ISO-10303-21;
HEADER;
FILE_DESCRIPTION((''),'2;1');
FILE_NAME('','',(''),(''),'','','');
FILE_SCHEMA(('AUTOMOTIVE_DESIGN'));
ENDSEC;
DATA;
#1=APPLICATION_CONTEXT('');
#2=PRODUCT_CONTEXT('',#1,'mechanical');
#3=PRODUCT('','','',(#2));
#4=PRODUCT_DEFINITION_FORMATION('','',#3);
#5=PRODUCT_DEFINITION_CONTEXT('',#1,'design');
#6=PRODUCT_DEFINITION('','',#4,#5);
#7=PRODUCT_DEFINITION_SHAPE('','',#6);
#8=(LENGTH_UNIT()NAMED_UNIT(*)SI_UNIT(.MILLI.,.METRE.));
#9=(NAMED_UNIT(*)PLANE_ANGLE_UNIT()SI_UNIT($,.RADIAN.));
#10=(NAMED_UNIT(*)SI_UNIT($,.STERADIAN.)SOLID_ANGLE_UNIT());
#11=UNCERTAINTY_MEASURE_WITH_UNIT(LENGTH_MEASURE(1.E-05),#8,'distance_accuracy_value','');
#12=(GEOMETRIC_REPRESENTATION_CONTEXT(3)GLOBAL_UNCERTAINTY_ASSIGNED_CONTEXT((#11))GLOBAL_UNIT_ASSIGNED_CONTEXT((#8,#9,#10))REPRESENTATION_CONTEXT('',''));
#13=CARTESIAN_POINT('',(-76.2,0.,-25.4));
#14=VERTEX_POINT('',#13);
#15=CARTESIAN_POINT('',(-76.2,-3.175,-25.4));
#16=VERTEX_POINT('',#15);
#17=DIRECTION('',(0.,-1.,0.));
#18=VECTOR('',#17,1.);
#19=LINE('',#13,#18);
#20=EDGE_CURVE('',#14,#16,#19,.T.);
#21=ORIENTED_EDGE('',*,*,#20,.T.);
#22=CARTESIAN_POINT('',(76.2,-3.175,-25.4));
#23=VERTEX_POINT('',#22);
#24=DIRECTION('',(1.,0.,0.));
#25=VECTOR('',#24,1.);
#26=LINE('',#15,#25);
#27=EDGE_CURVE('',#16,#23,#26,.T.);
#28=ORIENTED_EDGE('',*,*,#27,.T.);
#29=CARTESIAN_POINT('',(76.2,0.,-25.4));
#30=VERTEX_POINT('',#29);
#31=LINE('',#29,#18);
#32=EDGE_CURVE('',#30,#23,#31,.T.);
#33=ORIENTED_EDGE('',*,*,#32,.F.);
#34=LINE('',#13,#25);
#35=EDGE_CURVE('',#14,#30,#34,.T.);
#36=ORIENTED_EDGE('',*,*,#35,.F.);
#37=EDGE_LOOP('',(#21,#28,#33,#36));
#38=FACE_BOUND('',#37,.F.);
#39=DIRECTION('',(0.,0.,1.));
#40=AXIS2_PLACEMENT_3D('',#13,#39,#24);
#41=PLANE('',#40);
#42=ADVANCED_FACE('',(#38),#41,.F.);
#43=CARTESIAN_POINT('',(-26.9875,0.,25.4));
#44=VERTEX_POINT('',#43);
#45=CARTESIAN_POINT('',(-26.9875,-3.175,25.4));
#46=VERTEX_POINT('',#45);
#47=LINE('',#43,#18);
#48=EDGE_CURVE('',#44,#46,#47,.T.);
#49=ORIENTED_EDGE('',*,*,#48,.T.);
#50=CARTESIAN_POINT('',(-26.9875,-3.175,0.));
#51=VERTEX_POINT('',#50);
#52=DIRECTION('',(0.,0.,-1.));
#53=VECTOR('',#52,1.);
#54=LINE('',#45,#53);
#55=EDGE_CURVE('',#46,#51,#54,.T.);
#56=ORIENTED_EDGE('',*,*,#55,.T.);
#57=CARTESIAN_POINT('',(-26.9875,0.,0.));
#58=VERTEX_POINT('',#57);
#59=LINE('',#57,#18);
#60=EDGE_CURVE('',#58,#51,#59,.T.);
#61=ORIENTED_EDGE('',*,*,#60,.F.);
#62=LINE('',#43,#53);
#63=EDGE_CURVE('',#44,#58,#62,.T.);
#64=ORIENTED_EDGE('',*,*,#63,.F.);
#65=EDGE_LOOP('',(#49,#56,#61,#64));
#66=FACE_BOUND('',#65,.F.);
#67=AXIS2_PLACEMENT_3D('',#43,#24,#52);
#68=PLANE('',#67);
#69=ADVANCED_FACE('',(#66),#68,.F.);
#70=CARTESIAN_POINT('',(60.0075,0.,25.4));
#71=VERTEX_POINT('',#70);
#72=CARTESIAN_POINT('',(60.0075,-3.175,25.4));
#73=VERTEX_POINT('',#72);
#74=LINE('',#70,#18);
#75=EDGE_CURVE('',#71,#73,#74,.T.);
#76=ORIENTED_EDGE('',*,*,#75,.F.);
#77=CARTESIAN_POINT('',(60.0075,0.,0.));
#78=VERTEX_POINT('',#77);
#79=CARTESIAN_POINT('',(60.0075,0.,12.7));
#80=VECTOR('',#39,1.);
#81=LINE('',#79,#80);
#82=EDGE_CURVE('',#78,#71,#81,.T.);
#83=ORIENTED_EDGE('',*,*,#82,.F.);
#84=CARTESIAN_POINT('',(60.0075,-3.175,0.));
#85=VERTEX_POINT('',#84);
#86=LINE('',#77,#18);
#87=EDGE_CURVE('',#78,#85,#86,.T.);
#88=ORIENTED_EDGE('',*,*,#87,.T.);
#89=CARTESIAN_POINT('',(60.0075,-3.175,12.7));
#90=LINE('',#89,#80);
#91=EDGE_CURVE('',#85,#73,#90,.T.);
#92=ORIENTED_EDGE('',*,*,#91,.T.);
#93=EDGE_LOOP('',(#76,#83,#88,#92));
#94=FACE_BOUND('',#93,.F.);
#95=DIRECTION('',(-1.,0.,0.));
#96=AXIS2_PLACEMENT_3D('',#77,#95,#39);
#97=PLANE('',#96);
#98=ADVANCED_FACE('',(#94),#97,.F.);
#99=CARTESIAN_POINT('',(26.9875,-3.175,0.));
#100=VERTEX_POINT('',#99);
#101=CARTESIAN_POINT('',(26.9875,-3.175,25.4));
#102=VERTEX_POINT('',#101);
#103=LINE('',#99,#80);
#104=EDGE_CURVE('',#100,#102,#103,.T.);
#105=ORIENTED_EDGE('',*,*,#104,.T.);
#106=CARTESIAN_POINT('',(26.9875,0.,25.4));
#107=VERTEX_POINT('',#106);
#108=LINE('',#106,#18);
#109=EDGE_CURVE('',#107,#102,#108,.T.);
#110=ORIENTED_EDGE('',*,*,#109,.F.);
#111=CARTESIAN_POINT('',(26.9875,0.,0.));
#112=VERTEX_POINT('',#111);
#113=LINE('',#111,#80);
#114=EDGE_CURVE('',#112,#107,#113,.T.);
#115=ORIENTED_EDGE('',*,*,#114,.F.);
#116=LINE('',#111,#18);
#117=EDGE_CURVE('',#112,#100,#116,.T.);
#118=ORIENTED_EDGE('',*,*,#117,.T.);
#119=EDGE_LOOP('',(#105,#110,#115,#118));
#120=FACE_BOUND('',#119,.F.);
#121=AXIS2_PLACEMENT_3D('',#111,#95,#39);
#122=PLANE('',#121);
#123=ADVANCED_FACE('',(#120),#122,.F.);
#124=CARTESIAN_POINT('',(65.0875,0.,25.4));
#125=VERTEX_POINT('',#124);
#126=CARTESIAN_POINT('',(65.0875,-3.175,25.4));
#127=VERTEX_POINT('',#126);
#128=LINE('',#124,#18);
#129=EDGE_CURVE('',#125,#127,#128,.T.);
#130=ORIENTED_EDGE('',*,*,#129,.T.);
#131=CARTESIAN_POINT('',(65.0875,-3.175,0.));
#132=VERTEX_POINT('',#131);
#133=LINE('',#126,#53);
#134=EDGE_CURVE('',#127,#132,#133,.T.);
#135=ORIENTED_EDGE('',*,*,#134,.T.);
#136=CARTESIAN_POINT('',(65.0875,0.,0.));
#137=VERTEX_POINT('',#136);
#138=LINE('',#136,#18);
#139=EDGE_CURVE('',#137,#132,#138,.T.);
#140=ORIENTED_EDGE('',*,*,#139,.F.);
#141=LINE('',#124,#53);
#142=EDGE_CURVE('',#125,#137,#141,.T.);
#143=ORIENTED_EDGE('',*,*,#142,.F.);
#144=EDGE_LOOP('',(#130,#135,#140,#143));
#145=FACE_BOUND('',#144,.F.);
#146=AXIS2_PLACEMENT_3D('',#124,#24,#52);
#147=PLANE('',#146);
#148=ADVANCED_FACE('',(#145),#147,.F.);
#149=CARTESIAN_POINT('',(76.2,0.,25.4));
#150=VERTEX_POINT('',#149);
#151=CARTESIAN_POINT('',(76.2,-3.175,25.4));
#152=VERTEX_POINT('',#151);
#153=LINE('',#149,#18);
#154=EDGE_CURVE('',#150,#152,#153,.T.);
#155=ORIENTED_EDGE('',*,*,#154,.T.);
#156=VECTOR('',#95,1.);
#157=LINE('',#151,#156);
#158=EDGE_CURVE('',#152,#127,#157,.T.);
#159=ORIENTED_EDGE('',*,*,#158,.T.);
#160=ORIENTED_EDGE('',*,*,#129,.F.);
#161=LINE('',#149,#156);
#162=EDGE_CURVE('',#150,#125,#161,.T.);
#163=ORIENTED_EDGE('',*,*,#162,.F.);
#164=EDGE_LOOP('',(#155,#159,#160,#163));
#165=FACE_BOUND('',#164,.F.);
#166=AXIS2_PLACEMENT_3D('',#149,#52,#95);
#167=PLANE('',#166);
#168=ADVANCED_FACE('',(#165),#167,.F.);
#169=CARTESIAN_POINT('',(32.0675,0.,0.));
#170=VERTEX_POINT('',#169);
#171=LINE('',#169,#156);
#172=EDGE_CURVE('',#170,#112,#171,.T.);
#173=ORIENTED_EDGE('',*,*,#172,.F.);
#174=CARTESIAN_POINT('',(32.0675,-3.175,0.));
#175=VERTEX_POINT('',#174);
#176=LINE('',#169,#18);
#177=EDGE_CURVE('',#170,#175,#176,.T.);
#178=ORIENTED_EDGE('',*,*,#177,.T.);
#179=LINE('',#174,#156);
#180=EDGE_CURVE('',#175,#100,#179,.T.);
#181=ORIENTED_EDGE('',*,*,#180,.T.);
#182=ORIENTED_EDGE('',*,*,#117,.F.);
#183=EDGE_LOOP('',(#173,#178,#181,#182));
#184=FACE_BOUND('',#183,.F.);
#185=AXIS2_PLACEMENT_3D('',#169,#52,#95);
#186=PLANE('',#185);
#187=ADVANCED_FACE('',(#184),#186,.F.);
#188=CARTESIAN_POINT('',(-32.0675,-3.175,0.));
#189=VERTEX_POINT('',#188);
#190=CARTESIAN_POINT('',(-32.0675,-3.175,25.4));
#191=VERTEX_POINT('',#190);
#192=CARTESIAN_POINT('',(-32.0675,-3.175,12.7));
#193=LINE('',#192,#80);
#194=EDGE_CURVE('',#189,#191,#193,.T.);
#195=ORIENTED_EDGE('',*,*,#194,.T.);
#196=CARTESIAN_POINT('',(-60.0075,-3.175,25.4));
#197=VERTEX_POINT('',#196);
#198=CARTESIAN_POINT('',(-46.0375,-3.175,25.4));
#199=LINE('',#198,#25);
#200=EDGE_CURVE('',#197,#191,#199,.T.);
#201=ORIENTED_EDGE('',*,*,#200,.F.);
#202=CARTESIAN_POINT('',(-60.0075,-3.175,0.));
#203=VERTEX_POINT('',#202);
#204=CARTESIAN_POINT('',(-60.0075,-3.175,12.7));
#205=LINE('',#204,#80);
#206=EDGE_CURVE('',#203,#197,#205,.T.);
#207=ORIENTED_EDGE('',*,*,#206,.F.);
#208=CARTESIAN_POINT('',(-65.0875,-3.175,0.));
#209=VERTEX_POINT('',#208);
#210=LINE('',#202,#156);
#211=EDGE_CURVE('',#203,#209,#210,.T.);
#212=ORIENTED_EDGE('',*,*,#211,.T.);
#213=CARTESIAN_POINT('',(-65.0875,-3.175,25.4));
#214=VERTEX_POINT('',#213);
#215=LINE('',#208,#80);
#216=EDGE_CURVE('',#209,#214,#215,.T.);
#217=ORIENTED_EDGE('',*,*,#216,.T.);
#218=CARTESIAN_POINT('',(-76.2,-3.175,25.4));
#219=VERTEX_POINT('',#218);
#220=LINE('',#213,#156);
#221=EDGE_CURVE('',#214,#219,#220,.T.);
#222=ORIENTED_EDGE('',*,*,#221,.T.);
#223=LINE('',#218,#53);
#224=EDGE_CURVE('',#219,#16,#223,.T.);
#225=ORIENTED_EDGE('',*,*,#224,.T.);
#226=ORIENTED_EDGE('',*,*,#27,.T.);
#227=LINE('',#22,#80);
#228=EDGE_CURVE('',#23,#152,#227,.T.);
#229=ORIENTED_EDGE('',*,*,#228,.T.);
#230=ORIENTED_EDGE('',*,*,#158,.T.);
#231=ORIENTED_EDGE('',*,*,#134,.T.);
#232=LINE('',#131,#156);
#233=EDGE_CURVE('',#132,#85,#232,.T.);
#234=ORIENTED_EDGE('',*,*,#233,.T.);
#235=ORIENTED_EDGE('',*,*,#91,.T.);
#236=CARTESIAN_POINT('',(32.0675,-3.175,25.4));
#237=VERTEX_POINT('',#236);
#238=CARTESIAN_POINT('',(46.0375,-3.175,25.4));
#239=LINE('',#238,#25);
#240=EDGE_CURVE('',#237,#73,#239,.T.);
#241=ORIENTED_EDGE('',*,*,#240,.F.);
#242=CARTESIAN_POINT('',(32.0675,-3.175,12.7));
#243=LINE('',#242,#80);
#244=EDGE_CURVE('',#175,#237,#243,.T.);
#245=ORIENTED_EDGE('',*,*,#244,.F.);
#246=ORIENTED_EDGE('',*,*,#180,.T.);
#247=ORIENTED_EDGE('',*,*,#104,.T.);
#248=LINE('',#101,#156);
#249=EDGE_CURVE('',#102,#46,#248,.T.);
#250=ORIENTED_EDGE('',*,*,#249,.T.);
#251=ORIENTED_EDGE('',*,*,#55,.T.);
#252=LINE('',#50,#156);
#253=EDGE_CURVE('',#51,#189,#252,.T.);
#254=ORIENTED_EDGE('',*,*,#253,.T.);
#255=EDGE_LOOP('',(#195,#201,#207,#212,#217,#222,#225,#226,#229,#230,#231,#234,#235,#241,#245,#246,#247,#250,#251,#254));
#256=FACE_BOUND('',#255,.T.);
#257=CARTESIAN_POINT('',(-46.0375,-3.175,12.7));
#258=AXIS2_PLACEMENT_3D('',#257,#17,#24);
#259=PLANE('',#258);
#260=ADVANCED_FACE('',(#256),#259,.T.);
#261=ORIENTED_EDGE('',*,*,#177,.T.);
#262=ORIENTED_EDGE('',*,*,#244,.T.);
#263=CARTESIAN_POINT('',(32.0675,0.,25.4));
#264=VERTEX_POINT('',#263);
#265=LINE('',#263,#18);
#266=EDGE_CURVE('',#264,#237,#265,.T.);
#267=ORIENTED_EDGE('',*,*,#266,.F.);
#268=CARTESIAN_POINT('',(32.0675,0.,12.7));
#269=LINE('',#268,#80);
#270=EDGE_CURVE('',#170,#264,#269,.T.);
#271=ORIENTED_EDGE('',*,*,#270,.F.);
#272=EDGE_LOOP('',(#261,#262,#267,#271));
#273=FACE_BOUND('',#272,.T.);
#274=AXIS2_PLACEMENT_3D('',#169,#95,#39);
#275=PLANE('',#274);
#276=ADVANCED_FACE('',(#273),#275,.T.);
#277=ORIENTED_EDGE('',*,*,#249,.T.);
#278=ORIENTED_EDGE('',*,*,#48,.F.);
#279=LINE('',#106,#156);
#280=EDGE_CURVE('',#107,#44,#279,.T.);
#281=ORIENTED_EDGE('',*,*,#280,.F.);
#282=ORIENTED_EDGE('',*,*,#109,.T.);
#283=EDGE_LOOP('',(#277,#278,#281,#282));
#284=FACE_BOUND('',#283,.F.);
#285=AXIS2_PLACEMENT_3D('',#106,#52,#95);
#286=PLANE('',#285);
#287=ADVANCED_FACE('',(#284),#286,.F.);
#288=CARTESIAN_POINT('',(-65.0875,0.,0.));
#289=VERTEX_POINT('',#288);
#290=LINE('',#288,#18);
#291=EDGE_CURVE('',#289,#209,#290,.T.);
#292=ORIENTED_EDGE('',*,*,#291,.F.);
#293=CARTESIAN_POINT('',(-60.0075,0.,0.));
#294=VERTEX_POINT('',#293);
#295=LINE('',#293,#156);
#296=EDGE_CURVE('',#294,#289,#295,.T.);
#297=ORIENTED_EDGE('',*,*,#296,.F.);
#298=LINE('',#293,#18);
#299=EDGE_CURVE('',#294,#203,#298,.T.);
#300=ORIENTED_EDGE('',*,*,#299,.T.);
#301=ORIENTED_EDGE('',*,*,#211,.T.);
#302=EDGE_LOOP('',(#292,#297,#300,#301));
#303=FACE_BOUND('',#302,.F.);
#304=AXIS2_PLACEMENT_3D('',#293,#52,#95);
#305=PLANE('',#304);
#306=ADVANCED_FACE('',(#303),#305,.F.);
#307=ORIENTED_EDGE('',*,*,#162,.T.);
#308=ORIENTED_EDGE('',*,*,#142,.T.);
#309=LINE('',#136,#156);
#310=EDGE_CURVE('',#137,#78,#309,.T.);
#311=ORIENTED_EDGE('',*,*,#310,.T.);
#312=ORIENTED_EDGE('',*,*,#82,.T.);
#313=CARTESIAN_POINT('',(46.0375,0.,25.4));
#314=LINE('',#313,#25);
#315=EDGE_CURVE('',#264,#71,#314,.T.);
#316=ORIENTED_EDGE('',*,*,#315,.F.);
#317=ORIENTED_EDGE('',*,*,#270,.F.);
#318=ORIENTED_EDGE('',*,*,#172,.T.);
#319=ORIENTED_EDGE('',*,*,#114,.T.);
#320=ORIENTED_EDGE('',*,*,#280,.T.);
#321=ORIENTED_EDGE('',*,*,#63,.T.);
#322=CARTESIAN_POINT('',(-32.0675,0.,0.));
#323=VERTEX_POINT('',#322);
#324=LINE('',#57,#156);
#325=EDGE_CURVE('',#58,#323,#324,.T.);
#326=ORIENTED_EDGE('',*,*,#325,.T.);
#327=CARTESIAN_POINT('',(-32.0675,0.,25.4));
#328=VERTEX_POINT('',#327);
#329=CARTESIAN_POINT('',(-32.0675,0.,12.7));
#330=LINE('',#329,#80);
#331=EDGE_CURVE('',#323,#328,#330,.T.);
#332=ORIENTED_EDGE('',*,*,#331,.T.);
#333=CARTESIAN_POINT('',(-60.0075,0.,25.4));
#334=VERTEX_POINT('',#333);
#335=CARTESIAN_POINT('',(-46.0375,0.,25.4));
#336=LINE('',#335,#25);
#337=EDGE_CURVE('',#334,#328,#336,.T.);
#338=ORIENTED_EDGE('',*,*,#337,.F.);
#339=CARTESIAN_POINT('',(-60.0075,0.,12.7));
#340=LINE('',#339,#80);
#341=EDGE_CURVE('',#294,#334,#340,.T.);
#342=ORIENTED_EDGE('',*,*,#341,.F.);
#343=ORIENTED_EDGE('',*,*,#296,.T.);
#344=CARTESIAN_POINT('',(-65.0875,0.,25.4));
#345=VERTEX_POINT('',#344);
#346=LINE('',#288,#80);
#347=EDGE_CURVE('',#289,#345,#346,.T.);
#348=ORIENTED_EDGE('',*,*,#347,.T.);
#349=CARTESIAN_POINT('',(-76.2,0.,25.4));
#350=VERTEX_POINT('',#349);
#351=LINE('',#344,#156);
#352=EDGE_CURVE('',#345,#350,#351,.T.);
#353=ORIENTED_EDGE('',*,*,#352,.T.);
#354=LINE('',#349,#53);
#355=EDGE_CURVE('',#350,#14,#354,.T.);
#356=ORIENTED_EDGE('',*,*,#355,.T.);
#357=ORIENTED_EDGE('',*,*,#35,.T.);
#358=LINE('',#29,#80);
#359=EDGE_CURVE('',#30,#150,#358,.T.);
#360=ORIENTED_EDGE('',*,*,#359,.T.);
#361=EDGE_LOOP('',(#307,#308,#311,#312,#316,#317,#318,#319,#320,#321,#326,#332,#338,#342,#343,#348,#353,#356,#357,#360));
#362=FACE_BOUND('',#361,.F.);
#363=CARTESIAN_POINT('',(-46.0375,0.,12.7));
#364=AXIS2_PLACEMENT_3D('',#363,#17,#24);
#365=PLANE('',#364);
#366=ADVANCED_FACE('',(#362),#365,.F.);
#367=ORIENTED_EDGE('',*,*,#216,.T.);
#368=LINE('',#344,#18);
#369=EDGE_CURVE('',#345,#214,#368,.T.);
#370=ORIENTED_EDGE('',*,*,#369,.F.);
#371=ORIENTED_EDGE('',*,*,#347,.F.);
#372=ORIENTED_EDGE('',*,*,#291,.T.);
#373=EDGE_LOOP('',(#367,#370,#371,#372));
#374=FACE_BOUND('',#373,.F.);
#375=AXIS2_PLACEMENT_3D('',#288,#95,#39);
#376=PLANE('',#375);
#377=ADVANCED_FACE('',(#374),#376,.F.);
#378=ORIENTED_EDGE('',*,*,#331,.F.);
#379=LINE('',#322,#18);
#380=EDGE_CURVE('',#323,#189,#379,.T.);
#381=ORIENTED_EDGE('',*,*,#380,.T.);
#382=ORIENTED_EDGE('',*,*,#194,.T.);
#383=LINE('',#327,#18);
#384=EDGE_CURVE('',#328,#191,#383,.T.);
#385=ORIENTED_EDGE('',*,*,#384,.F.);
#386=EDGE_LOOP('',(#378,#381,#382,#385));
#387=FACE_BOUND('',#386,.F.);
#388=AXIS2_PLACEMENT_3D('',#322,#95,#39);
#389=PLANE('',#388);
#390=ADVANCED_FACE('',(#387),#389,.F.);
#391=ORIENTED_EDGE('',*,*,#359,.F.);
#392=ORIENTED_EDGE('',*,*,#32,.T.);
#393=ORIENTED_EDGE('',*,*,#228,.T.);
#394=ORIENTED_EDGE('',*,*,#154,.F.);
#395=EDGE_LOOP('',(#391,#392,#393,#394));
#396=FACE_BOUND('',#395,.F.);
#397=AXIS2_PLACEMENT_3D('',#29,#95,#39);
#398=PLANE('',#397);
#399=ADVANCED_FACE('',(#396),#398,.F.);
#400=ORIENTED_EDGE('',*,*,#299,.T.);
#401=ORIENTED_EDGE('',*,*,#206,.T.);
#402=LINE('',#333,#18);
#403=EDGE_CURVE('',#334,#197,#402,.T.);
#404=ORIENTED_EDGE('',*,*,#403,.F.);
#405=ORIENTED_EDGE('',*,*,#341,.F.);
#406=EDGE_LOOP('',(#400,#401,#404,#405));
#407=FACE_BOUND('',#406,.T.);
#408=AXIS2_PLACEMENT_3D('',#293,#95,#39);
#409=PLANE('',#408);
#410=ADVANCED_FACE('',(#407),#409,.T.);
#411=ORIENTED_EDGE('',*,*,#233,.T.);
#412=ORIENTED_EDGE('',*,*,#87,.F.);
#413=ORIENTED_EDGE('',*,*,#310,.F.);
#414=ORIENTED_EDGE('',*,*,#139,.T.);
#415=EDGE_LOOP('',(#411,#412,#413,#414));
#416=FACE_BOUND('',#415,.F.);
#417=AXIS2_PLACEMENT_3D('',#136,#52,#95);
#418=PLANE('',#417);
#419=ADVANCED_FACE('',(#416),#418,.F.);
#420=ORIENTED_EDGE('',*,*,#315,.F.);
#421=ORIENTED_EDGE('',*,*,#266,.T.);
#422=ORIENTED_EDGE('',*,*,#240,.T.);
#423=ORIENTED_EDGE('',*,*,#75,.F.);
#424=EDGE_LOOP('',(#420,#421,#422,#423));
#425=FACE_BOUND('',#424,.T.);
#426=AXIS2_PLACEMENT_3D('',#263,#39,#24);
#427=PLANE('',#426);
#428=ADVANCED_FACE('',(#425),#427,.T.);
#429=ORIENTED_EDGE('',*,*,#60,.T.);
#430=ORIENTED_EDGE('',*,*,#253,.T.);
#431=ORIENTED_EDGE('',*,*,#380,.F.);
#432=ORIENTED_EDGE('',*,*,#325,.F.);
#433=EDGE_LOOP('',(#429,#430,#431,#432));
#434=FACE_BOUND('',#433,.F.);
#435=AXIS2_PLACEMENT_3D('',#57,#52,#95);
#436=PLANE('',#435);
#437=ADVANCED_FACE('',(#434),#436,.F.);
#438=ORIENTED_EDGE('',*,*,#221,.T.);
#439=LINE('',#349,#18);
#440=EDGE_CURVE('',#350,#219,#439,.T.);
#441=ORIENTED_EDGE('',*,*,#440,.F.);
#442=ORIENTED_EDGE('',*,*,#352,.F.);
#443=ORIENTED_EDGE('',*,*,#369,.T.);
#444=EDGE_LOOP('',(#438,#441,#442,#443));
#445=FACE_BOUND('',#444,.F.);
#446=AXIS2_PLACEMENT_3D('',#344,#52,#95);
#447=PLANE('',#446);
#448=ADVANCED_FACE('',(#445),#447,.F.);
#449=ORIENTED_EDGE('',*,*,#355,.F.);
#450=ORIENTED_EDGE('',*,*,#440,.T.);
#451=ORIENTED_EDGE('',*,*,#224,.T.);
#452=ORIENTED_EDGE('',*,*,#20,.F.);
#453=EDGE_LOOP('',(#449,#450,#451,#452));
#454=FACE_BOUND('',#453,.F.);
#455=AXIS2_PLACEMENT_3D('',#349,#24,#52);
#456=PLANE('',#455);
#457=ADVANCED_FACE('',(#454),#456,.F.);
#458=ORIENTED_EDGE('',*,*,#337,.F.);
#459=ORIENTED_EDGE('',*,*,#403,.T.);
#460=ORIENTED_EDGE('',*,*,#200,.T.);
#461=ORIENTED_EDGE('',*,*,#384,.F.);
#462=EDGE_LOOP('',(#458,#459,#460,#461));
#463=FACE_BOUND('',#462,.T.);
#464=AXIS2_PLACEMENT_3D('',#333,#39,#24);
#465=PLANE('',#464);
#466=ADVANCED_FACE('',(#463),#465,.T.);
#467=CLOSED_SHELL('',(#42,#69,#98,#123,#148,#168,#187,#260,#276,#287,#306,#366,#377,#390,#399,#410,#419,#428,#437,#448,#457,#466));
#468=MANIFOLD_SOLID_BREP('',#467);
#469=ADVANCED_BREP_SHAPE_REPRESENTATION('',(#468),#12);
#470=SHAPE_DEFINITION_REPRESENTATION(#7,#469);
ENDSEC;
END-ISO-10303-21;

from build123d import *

# Parameters (mm, degrees)
F0_W     = 27.94
F0_H     = 25.4
F1_DEPTH = 3.175


with BuildPart() as f1:
    # F0 (on Front) → F1 (new body)
    with BuildSketch(Plane.XZ):
        with Locations((-46.0375, 12.7)):
            Rectangle(F0_W, F0_H)
        with Locations((46.0375, 12.7)):
            Rectangle(F0_W, F0_H)
        Polygon((-65.0875, 0), (-65.0875, 25.4), (-76.2, 25.4), (-76.2, -25.4), (76.2, -25.4), (76.2, 25.4), (65.0875, 25.4), (65.0875, 0), (60.0075, 0), (32.0675, 0), (26.9875, 0), (26.9875, 25.4), (-26.9875, 25.4), (-26.9875, 0), (-32.0675, 0), (-60.0075, 0), align=None)
    extrude(amount=F1_DEPTH)


solid = f1.part
